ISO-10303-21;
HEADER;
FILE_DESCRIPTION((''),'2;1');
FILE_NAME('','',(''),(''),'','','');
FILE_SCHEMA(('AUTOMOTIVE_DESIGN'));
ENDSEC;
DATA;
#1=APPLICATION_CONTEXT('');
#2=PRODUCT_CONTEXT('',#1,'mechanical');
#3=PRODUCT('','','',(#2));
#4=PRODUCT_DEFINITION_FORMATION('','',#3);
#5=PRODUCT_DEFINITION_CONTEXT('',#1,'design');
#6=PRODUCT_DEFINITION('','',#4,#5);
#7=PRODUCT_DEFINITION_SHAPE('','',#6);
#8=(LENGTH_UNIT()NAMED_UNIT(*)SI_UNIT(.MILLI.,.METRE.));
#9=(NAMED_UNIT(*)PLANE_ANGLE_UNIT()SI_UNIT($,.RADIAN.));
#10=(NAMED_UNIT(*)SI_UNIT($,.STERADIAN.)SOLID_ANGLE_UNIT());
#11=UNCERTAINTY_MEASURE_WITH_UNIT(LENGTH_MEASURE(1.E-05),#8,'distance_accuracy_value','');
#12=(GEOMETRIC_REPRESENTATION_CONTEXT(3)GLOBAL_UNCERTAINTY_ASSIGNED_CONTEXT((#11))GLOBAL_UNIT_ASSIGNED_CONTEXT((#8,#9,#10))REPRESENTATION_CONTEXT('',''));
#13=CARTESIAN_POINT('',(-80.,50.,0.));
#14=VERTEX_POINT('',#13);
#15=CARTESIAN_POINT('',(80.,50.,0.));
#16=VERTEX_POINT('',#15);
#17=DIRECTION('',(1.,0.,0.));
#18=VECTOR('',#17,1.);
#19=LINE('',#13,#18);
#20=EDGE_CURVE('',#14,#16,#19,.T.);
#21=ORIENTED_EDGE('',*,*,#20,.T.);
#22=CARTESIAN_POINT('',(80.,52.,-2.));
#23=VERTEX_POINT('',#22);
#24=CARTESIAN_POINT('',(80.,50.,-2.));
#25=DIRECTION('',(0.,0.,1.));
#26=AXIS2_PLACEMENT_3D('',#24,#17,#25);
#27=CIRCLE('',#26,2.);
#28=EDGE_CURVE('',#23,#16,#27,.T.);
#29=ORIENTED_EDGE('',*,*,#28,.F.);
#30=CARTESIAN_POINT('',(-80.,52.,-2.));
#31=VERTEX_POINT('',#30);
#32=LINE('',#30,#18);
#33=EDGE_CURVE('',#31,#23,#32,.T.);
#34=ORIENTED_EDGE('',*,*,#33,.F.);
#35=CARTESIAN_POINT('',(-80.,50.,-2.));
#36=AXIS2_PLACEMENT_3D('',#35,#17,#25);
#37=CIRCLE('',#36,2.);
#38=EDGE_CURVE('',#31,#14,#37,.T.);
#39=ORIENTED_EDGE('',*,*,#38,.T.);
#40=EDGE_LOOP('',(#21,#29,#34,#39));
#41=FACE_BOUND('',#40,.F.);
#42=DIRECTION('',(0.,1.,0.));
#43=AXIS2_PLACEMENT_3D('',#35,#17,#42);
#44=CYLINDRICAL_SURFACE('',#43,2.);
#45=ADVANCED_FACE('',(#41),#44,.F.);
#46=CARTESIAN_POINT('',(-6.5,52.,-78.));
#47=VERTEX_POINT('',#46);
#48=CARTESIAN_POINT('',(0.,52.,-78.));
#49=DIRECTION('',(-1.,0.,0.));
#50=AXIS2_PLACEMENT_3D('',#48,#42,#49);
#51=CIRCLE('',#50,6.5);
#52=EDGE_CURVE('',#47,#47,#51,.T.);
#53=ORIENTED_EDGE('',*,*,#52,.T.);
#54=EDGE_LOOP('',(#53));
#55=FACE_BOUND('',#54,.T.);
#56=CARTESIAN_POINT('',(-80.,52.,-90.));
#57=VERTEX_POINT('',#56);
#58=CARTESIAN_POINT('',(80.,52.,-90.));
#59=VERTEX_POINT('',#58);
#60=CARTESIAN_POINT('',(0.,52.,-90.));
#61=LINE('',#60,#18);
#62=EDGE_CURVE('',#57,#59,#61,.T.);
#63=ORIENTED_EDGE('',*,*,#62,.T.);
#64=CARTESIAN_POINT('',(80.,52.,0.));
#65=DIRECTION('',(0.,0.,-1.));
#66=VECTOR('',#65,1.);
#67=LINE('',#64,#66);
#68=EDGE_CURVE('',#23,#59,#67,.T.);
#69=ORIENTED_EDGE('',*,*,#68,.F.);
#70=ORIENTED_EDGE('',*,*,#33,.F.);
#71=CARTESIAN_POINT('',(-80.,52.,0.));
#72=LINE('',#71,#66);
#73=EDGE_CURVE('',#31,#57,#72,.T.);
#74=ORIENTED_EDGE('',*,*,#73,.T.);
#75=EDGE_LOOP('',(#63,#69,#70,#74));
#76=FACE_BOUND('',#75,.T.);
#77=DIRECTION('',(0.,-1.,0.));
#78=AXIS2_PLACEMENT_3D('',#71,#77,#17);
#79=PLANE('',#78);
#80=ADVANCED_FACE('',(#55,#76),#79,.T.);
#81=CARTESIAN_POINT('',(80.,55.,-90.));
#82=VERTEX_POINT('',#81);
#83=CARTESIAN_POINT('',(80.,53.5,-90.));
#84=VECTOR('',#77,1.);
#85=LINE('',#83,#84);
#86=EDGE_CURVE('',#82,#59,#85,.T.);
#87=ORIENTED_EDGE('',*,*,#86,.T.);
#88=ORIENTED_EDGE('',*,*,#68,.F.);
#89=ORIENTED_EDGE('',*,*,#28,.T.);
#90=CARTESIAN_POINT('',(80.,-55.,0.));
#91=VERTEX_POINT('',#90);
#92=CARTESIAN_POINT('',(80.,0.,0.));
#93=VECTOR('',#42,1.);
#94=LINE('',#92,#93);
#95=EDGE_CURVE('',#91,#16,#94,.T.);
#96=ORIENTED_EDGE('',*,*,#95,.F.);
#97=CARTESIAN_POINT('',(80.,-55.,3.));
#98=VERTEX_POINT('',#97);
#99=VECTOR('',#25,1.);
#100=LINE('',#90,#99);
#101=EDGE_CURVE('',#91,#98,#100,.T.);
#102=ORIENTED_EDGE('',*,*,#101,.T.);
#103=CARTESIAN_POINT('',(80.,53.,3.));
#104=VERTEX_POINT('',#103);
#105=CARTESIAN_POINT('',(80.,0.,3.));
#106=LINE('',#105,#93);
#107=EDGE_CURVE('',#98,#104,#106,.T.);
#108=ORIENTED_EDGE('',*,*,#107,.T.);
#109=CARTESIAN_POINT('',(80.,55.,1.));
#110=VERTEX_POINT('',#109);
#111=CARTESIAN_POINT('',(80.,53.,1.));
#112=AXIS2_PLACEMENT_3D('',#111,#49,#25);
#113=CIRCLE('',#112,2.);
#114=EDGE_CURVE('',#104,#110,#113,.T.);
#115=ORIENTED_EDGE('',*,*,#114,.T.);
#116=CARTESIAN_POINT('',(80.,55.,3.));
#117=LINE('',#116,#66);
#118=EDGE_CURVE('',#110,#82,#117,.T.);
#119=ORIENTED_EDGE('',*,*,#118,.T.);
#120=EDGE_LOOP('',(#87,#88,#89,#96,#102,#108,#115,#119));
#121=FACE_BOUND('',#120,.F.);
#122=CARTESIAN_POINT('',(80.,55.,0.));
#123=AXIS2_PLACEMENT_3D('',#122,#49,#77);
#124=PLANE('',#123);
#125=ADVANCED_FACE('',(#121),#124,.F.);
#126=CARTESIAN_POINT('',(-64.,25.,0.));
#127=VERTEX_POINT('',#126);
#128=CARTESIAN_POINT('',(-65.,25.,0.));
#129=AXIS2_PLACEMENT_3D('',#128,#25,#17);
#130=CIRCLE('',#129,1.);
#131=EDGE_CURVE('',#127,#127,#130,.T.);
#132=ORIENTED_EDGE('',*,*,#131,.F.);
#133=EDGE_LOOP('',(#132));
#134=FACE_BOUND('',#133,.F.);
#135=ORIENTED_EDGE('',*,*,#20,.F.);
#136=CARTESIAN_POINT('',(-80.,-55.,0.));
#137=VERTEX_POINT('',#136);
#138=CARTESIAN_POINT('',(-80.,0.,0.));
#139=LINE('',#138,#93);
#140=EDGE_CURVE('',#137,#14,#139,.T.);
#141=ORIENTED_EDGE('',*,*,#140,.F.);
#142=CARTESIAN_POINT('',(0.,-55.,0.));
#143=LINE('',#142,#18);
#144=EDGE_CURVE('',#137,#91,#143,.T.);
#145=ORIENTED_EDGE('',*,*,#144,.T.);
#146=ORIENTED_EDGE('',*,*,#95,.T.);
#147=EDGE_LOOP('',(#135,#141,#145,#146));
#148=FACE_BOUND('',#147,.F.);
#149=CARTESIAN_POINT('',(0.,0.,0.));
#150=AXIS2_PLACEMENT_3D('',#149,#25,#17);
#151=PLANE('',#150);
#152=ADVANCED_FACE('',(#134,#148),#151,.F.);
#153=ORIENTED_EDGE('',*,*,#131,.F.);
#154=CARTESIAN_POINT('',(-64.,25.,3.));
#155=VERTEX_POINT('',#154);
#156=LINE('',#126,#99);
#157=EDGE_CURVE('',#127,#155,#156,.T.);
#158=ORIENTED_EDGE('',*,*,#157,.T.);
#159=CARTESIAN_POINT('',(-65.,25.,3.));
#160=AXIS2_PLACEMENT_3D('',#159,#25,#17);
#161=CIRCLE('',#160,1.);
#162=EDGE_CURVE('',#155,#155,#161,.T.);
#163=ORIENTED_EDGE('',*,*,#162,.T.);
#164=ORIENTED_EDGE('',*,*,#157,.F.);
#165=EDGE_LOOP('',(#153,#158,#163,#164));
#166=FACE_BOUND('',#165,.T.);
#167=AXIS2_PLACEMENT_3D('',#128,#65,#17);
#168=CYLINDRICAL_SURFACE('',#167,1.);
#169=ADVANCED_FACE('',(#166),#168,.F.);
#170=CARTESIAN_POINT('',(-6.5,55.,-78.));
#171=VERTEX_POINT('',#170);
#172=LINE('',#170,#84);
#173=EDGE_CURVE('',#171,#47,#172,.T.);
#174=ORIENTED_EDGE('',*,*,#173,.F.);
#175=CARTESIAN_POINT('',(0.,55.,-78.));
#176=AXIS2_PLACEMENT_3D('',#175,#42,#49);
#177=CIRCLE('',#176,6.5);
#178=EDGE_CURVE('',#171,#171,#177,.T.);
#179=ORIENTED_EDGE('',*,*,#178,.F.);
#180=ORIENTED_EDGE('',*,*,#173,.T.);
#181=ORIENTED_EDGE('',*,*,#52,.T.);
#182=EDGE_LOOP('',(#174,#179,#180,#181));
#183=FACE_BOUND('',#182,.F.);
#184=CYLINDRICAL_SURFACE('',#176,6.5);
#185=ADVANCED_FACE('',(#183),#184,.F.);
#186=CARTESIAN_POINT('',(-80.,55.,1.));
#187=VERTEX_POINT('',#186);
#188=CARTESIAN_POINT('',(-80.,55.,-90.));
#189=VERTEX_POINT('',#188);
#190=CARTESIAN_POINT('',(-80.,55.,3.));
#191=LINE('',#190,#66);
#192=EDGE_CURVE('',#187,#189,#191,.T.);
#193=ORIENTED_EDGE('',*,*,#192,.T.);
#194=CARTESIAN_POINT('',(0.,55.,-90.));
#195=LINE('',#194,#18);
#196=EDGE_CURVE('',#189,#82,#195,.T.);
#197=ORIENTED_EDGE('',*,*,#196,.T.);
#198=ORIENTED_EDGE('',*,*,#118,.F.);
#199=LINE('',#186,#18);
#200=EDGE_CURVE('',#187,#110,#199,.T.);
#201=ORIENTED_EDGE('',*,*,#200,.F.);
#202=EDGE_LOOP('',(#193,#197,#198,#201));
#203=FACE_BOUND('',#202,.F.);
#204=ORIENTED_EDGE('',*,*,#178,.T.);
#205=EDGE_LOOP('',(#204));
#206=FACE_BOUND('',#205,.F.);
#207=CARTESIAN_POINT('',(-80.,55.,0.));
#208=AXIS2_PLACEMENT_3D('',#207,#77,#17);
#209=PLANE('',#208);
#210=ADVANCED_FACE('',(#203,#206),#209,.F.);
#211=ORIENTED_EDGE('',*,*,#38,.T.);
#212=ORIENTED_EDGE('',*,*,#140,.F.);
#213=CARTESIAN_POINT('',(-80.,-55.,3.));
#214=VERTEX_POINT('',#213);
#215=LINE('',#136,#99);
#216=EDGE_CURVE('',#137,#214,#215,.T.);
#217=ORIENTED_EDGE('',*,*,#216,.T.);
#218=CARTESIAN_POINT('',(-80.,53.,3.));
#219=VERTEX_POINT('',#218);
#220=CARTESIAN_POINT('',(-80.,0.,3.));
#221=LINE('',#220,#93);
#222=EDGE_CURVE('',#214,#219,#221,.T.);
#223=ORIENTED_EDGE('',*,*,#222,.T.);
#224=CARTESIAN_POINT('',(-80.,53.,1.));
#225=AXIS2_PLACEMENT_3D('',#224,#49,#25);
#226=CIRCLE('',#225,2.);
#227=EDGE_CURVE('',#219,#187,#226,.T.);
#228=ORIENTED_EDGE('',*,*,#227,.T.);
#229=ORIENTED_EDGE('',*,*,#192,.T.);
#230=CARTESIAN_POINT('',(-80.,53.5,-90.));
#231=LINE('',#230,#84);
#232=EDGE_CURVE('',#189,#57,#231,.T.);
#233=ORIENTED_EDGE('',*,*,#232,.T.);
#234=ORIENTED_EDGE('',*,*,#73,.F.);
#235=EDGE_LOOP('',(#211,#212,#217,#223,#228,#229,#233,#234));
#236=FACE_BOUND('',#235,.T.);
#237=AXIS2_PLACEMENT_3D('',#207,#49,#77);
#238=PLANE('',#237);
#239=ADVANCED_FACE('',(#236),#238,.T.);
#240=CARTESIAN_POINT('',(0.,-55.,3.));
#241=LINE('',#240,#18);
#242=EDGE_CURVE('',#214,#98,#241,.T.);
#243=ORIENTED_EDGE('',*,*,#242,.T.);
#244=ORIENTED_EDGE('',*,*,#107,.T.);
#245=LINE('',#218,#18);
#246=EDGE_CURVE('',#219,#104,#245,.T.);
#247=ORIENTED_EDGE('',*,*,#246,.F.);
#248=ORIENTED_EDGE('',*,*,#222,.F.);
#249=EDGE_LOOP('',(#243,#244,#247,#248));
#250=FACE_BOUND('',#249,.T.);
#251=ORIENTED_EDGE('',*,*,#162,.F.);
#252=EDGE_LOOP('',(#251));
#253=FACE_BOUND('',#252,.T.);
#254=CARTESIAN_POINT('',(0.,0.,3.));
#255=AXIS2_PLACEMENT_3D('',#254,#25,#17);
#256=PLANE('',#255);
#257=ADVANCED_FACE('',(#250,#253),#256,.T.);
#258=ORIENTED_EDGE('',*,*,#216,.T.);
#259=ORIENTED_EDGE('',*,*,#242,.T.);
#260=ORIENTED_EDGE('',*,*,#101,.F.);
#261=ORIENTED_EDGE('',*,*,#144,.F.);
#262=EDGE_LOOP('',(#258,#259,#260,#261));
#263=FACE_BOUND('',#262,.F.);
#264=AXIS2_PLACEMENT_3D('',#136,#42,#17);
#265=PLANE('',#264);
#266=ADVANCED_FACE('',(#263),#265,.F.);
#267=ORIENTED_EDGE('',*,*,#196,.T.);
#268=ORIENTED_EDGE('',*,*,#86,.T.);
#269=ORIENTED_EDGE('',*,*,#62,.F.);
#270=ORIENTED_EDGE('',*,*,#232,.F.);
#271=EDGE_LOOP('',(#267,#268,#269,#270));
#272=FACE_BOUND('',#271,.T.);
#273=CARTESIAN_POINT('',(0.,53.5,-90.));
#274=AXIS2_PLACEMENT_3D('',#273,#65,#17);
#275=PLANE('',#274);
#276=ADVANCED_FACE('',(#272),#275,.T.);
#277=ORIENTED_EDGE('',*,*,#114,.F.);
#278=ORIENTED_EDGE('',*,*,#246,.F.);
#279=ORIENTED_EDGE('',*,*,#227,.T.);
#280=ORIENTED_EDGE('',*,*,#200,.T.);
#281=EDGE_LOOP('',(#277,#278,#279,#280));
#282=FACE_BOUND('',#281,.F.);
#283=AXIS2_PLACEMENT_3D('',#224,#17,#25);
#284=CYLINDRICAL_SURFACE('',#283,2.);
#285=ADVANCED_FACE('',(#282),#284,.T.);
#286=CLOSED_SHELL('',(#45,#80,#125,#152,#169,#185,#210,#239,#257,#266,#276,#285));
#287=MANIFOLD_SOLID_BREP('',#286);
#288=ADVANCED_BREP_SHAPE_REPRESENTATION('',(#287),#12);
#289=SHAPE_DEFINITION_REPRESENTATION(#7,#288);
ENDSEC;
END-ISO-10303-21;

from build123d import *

# Parameters (mm, degrees)
F0_W     = 160
F0_H     = 110
F0_R     = 1
F1_DEPTH = 3
F2_W     = 160
F2_H     = 3
F3_DEPTH = 90
F4_R     = 6.5
F5_DEPTH = 110.001
F6_R     = 2


with BuildPart() as f1:
    # F0 (on Top) → F1 (new body)
    with BuildSketch(Plane.XY):
        Rectangle(F0_W, F0_H)
        with Locations((-65, 25)):
            Circle(F0_R, mode=Mode.SUBTRACT)
    extrude(amount=F1_DEPTH)

    # F2 (on face) → F3 (join)
    with BuildSketch(Plane(origin=(0, 0, 0), x_dir=(1, 0, 0), z_dir=(0, 0, -1))):
        with Locations((0, -53.5)):
            Rectangle(F2_W, F2_H)
    extrude(amount=F3_DEPTH)

    # F4 (on face) → F5 (cut, through all)
    with BuildSketch(Plane(origin=(0, 55, 0), x_dir=(-1, 0, 0), z_dir=(0, 1, 0))):
        with Locations((0, -78)):
            Circle(F4_R)
    extrude(amount=-F5_DEPTH, mode=Mode.SUBTRACT)

    # F6
    f6_edges = [f1.edges().sort_by_distance(p)[0] for p in [
        (0, 55, 3),
        (0, 52, 0),
    ]]
    fillet(f6_edges, radius=F6_R)


solid = f1.part
